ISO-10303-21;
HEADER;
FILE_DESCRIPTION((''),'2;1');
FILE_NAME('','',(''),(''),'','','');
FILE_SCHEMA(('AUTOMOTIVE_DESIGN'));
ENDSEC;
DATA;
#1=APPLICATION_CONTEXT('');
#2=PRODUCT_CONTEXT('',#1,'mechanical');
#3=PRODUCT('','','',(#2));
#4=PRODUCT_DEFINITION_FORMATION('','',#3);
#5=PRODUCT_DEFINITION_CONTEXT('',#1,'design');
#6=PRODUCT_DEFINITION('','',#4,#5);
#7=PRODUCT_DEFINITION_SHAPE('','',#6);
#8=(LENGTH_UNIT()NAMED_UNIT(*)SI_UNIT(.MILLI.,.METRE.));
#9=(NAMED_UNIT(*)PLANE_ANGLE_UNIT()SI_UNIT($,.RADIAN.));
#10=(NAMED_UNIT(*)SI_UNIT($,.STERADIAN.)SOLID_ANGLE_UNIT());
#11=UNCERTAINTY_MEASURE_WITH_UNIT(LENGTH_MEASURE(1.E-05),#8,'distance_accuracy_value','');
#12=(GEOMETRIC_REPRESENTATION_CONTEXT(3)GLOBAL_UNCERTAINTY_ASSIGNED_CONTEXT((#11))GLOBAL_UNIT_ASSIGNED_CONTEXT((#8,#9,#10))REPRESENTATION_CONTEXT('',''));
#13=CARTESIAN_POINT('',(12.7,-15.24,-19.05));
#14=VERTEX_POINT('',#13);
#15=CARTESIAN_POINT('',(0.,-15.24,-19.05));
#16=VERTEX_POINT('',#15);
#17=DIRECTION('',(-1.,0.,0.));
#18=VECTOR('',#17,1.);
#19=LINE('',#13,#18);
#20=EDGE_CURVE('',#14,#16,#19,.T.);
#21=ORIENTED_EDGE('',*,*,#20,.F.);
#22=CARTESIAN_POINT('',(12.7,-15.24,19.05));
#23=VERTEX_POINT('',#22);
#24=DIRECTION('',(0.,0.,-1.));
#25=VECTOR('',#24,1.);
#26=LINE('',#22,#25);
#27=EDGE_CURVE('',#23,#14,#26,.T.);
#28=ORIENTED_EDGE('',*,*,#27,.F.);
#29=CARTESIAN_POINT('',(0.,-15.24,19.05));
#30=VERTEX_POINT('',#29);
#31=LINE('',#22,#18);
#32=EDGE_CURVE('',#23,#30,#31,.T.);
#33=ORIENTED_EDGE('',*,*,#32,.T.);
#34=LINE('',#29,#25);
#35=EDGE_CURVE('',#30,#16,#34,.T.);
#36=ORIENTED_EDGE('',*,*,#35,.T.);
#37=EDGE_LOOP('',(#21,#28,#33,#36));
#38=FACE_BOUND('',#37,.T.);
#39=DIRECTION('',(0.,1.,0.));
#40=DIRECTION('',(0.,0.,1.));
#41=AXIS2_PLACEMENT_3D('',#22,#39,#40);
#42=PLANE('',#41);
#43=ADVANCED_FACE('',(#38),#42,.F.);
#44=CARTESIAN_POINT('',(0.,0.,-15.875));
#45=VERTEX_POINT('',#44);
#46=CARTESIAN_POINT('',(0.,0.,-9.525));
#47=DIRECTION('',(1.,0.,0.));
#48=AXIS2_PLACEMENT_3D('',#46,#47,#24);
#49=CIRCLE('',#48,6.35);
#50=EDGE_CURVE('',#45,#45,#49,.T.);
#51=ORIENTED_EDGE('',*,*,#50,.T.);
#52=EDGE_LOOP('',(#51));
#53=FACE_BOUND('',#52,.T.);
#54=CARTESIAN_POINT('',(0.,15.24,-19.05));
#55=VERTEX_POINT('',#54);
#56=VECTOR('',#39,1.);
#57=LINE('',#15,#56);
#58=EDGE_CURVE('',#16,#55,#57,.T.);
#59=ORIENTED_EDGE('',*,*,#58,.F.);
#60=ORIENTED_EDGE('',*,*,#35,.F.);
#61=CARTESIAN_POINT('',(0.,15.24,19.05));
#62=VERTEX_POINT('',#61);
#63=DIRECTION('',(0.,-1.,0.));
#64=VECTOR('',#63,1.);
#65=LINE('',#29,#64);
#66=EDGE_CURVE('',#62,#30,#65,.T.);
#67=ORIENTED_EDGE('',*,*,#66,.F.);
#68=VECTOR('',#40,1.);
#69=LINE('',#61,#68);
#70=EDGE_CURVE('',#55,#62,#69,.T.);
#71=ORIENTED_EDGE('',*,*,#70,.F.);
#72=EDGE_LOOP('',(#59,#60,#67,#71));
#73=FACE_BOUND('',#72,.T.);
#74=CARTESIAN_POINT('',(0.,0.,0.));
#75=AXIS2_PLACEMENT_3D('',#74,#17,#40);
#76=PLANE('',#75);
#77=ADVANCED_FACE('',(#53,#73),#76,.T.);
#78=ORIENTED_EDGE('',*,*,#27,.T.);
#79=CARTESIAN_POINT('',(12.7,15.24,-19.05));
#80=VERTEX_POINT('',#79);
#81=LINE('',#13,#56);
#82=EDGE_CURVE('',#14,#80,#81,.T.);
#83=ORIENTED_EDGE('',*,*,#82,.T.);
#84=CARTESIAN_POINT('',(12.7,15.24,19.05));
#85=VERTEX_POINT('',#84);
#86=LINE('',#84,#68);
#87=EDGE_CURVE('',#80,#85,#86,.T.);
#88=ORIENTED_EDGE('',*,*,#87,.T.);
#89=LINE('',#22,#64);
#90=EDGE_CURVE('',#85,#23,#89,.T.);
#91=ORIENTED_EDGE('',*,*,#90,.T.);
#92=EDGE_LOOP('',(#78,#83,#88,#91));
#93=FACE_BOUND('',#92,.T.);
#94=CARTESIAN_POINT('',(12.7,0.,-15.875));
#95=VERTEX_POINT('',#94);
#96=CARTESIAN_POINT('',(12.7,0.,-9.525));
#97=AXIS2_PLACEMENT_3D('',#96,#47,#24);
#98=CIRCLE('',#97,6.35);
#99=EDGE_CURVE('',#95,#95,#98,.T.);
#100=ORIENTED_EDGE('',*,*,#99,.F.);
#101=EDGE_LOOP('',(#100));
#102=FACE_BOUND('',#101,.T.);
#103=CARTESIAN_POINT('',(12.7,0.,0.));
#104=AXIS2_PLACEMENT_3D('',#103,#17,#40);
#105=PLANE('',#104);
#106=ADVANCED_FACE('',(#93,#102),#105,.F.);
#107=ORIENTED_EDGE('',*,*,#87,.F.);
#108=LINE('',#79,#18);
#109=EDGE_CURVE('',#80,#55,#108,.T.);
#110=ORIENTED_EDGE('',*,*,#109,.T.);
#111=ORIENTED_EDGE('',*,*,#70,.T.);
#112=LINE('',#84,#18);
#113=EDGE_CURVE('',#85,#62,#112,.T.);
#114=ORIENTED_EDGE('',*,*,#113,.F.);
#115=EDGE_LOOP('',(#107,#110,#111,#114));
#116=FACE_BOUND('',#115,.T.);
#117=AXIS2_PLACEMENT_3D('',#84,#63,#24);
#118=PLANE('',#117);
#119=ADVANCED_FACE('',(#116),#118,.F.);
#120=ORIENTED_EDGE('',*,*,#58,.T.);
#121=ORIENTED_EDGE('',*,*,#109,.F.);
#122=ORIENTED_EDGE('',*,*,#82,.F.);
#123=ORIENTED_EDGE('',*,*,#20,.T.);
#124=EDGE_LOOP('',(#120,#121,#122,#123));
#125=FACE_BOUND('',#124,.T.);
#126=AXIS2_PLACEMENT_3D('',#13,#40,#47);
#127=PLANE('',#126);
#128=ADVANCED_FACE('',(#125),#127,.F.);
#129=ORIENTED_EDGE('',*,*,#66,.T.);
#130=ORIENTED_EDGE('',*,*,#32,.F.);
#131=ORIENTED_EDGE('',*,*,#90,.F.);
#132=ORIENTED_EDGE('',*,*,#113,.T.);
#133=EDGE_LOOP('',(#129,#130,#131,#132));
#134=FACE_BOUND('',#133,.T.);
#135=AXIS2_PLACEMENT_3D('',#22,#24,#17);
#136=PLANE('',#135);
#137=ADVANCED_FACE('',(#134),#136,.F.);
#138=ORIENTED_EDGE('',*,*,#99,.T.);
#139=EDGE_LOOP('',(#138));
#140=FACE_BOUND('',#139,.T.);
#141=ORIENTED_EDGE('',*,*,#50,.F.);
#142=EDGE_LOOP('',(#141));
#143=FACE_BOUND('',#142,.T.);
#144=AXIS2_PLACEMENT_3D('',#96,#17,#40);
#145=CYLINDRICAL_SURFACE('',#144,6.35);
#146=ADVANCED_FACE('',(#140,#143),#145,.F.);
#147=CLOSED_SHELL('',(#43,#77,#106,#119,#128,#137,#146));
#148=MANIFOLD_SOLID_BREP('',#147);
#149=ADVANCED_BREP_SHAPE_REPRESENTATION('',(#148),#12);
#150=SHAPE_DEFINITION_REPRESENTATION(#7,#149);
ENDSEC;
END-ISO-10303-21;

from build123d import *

# Parameters (mm, degrees)
SKETCH1_W           = 38.1
SKETCH1_H           = 30.48
SKETCH1_R           = 6.35
BOSS_EXTRUDE1_DEPTH = 12.7


with BuildPart() as part:
    # Sketch1 → Boss-Extrude1 (new body)
    with BuildSketch(Plane(origin=(0, 0, 0), x_dir=(0, 0, -1), z_dir=(1, 0, 0))):
        Rectangle(SKETCH1_W, SKETCH1_H)
        with Locations((9.525, 0)):
            Circle(SKETCH1_R, mode=Mode.SUBTRACT)
    extrude(amount=BOSS_EXTRUDE1_DEPTH)


solid = part.part
